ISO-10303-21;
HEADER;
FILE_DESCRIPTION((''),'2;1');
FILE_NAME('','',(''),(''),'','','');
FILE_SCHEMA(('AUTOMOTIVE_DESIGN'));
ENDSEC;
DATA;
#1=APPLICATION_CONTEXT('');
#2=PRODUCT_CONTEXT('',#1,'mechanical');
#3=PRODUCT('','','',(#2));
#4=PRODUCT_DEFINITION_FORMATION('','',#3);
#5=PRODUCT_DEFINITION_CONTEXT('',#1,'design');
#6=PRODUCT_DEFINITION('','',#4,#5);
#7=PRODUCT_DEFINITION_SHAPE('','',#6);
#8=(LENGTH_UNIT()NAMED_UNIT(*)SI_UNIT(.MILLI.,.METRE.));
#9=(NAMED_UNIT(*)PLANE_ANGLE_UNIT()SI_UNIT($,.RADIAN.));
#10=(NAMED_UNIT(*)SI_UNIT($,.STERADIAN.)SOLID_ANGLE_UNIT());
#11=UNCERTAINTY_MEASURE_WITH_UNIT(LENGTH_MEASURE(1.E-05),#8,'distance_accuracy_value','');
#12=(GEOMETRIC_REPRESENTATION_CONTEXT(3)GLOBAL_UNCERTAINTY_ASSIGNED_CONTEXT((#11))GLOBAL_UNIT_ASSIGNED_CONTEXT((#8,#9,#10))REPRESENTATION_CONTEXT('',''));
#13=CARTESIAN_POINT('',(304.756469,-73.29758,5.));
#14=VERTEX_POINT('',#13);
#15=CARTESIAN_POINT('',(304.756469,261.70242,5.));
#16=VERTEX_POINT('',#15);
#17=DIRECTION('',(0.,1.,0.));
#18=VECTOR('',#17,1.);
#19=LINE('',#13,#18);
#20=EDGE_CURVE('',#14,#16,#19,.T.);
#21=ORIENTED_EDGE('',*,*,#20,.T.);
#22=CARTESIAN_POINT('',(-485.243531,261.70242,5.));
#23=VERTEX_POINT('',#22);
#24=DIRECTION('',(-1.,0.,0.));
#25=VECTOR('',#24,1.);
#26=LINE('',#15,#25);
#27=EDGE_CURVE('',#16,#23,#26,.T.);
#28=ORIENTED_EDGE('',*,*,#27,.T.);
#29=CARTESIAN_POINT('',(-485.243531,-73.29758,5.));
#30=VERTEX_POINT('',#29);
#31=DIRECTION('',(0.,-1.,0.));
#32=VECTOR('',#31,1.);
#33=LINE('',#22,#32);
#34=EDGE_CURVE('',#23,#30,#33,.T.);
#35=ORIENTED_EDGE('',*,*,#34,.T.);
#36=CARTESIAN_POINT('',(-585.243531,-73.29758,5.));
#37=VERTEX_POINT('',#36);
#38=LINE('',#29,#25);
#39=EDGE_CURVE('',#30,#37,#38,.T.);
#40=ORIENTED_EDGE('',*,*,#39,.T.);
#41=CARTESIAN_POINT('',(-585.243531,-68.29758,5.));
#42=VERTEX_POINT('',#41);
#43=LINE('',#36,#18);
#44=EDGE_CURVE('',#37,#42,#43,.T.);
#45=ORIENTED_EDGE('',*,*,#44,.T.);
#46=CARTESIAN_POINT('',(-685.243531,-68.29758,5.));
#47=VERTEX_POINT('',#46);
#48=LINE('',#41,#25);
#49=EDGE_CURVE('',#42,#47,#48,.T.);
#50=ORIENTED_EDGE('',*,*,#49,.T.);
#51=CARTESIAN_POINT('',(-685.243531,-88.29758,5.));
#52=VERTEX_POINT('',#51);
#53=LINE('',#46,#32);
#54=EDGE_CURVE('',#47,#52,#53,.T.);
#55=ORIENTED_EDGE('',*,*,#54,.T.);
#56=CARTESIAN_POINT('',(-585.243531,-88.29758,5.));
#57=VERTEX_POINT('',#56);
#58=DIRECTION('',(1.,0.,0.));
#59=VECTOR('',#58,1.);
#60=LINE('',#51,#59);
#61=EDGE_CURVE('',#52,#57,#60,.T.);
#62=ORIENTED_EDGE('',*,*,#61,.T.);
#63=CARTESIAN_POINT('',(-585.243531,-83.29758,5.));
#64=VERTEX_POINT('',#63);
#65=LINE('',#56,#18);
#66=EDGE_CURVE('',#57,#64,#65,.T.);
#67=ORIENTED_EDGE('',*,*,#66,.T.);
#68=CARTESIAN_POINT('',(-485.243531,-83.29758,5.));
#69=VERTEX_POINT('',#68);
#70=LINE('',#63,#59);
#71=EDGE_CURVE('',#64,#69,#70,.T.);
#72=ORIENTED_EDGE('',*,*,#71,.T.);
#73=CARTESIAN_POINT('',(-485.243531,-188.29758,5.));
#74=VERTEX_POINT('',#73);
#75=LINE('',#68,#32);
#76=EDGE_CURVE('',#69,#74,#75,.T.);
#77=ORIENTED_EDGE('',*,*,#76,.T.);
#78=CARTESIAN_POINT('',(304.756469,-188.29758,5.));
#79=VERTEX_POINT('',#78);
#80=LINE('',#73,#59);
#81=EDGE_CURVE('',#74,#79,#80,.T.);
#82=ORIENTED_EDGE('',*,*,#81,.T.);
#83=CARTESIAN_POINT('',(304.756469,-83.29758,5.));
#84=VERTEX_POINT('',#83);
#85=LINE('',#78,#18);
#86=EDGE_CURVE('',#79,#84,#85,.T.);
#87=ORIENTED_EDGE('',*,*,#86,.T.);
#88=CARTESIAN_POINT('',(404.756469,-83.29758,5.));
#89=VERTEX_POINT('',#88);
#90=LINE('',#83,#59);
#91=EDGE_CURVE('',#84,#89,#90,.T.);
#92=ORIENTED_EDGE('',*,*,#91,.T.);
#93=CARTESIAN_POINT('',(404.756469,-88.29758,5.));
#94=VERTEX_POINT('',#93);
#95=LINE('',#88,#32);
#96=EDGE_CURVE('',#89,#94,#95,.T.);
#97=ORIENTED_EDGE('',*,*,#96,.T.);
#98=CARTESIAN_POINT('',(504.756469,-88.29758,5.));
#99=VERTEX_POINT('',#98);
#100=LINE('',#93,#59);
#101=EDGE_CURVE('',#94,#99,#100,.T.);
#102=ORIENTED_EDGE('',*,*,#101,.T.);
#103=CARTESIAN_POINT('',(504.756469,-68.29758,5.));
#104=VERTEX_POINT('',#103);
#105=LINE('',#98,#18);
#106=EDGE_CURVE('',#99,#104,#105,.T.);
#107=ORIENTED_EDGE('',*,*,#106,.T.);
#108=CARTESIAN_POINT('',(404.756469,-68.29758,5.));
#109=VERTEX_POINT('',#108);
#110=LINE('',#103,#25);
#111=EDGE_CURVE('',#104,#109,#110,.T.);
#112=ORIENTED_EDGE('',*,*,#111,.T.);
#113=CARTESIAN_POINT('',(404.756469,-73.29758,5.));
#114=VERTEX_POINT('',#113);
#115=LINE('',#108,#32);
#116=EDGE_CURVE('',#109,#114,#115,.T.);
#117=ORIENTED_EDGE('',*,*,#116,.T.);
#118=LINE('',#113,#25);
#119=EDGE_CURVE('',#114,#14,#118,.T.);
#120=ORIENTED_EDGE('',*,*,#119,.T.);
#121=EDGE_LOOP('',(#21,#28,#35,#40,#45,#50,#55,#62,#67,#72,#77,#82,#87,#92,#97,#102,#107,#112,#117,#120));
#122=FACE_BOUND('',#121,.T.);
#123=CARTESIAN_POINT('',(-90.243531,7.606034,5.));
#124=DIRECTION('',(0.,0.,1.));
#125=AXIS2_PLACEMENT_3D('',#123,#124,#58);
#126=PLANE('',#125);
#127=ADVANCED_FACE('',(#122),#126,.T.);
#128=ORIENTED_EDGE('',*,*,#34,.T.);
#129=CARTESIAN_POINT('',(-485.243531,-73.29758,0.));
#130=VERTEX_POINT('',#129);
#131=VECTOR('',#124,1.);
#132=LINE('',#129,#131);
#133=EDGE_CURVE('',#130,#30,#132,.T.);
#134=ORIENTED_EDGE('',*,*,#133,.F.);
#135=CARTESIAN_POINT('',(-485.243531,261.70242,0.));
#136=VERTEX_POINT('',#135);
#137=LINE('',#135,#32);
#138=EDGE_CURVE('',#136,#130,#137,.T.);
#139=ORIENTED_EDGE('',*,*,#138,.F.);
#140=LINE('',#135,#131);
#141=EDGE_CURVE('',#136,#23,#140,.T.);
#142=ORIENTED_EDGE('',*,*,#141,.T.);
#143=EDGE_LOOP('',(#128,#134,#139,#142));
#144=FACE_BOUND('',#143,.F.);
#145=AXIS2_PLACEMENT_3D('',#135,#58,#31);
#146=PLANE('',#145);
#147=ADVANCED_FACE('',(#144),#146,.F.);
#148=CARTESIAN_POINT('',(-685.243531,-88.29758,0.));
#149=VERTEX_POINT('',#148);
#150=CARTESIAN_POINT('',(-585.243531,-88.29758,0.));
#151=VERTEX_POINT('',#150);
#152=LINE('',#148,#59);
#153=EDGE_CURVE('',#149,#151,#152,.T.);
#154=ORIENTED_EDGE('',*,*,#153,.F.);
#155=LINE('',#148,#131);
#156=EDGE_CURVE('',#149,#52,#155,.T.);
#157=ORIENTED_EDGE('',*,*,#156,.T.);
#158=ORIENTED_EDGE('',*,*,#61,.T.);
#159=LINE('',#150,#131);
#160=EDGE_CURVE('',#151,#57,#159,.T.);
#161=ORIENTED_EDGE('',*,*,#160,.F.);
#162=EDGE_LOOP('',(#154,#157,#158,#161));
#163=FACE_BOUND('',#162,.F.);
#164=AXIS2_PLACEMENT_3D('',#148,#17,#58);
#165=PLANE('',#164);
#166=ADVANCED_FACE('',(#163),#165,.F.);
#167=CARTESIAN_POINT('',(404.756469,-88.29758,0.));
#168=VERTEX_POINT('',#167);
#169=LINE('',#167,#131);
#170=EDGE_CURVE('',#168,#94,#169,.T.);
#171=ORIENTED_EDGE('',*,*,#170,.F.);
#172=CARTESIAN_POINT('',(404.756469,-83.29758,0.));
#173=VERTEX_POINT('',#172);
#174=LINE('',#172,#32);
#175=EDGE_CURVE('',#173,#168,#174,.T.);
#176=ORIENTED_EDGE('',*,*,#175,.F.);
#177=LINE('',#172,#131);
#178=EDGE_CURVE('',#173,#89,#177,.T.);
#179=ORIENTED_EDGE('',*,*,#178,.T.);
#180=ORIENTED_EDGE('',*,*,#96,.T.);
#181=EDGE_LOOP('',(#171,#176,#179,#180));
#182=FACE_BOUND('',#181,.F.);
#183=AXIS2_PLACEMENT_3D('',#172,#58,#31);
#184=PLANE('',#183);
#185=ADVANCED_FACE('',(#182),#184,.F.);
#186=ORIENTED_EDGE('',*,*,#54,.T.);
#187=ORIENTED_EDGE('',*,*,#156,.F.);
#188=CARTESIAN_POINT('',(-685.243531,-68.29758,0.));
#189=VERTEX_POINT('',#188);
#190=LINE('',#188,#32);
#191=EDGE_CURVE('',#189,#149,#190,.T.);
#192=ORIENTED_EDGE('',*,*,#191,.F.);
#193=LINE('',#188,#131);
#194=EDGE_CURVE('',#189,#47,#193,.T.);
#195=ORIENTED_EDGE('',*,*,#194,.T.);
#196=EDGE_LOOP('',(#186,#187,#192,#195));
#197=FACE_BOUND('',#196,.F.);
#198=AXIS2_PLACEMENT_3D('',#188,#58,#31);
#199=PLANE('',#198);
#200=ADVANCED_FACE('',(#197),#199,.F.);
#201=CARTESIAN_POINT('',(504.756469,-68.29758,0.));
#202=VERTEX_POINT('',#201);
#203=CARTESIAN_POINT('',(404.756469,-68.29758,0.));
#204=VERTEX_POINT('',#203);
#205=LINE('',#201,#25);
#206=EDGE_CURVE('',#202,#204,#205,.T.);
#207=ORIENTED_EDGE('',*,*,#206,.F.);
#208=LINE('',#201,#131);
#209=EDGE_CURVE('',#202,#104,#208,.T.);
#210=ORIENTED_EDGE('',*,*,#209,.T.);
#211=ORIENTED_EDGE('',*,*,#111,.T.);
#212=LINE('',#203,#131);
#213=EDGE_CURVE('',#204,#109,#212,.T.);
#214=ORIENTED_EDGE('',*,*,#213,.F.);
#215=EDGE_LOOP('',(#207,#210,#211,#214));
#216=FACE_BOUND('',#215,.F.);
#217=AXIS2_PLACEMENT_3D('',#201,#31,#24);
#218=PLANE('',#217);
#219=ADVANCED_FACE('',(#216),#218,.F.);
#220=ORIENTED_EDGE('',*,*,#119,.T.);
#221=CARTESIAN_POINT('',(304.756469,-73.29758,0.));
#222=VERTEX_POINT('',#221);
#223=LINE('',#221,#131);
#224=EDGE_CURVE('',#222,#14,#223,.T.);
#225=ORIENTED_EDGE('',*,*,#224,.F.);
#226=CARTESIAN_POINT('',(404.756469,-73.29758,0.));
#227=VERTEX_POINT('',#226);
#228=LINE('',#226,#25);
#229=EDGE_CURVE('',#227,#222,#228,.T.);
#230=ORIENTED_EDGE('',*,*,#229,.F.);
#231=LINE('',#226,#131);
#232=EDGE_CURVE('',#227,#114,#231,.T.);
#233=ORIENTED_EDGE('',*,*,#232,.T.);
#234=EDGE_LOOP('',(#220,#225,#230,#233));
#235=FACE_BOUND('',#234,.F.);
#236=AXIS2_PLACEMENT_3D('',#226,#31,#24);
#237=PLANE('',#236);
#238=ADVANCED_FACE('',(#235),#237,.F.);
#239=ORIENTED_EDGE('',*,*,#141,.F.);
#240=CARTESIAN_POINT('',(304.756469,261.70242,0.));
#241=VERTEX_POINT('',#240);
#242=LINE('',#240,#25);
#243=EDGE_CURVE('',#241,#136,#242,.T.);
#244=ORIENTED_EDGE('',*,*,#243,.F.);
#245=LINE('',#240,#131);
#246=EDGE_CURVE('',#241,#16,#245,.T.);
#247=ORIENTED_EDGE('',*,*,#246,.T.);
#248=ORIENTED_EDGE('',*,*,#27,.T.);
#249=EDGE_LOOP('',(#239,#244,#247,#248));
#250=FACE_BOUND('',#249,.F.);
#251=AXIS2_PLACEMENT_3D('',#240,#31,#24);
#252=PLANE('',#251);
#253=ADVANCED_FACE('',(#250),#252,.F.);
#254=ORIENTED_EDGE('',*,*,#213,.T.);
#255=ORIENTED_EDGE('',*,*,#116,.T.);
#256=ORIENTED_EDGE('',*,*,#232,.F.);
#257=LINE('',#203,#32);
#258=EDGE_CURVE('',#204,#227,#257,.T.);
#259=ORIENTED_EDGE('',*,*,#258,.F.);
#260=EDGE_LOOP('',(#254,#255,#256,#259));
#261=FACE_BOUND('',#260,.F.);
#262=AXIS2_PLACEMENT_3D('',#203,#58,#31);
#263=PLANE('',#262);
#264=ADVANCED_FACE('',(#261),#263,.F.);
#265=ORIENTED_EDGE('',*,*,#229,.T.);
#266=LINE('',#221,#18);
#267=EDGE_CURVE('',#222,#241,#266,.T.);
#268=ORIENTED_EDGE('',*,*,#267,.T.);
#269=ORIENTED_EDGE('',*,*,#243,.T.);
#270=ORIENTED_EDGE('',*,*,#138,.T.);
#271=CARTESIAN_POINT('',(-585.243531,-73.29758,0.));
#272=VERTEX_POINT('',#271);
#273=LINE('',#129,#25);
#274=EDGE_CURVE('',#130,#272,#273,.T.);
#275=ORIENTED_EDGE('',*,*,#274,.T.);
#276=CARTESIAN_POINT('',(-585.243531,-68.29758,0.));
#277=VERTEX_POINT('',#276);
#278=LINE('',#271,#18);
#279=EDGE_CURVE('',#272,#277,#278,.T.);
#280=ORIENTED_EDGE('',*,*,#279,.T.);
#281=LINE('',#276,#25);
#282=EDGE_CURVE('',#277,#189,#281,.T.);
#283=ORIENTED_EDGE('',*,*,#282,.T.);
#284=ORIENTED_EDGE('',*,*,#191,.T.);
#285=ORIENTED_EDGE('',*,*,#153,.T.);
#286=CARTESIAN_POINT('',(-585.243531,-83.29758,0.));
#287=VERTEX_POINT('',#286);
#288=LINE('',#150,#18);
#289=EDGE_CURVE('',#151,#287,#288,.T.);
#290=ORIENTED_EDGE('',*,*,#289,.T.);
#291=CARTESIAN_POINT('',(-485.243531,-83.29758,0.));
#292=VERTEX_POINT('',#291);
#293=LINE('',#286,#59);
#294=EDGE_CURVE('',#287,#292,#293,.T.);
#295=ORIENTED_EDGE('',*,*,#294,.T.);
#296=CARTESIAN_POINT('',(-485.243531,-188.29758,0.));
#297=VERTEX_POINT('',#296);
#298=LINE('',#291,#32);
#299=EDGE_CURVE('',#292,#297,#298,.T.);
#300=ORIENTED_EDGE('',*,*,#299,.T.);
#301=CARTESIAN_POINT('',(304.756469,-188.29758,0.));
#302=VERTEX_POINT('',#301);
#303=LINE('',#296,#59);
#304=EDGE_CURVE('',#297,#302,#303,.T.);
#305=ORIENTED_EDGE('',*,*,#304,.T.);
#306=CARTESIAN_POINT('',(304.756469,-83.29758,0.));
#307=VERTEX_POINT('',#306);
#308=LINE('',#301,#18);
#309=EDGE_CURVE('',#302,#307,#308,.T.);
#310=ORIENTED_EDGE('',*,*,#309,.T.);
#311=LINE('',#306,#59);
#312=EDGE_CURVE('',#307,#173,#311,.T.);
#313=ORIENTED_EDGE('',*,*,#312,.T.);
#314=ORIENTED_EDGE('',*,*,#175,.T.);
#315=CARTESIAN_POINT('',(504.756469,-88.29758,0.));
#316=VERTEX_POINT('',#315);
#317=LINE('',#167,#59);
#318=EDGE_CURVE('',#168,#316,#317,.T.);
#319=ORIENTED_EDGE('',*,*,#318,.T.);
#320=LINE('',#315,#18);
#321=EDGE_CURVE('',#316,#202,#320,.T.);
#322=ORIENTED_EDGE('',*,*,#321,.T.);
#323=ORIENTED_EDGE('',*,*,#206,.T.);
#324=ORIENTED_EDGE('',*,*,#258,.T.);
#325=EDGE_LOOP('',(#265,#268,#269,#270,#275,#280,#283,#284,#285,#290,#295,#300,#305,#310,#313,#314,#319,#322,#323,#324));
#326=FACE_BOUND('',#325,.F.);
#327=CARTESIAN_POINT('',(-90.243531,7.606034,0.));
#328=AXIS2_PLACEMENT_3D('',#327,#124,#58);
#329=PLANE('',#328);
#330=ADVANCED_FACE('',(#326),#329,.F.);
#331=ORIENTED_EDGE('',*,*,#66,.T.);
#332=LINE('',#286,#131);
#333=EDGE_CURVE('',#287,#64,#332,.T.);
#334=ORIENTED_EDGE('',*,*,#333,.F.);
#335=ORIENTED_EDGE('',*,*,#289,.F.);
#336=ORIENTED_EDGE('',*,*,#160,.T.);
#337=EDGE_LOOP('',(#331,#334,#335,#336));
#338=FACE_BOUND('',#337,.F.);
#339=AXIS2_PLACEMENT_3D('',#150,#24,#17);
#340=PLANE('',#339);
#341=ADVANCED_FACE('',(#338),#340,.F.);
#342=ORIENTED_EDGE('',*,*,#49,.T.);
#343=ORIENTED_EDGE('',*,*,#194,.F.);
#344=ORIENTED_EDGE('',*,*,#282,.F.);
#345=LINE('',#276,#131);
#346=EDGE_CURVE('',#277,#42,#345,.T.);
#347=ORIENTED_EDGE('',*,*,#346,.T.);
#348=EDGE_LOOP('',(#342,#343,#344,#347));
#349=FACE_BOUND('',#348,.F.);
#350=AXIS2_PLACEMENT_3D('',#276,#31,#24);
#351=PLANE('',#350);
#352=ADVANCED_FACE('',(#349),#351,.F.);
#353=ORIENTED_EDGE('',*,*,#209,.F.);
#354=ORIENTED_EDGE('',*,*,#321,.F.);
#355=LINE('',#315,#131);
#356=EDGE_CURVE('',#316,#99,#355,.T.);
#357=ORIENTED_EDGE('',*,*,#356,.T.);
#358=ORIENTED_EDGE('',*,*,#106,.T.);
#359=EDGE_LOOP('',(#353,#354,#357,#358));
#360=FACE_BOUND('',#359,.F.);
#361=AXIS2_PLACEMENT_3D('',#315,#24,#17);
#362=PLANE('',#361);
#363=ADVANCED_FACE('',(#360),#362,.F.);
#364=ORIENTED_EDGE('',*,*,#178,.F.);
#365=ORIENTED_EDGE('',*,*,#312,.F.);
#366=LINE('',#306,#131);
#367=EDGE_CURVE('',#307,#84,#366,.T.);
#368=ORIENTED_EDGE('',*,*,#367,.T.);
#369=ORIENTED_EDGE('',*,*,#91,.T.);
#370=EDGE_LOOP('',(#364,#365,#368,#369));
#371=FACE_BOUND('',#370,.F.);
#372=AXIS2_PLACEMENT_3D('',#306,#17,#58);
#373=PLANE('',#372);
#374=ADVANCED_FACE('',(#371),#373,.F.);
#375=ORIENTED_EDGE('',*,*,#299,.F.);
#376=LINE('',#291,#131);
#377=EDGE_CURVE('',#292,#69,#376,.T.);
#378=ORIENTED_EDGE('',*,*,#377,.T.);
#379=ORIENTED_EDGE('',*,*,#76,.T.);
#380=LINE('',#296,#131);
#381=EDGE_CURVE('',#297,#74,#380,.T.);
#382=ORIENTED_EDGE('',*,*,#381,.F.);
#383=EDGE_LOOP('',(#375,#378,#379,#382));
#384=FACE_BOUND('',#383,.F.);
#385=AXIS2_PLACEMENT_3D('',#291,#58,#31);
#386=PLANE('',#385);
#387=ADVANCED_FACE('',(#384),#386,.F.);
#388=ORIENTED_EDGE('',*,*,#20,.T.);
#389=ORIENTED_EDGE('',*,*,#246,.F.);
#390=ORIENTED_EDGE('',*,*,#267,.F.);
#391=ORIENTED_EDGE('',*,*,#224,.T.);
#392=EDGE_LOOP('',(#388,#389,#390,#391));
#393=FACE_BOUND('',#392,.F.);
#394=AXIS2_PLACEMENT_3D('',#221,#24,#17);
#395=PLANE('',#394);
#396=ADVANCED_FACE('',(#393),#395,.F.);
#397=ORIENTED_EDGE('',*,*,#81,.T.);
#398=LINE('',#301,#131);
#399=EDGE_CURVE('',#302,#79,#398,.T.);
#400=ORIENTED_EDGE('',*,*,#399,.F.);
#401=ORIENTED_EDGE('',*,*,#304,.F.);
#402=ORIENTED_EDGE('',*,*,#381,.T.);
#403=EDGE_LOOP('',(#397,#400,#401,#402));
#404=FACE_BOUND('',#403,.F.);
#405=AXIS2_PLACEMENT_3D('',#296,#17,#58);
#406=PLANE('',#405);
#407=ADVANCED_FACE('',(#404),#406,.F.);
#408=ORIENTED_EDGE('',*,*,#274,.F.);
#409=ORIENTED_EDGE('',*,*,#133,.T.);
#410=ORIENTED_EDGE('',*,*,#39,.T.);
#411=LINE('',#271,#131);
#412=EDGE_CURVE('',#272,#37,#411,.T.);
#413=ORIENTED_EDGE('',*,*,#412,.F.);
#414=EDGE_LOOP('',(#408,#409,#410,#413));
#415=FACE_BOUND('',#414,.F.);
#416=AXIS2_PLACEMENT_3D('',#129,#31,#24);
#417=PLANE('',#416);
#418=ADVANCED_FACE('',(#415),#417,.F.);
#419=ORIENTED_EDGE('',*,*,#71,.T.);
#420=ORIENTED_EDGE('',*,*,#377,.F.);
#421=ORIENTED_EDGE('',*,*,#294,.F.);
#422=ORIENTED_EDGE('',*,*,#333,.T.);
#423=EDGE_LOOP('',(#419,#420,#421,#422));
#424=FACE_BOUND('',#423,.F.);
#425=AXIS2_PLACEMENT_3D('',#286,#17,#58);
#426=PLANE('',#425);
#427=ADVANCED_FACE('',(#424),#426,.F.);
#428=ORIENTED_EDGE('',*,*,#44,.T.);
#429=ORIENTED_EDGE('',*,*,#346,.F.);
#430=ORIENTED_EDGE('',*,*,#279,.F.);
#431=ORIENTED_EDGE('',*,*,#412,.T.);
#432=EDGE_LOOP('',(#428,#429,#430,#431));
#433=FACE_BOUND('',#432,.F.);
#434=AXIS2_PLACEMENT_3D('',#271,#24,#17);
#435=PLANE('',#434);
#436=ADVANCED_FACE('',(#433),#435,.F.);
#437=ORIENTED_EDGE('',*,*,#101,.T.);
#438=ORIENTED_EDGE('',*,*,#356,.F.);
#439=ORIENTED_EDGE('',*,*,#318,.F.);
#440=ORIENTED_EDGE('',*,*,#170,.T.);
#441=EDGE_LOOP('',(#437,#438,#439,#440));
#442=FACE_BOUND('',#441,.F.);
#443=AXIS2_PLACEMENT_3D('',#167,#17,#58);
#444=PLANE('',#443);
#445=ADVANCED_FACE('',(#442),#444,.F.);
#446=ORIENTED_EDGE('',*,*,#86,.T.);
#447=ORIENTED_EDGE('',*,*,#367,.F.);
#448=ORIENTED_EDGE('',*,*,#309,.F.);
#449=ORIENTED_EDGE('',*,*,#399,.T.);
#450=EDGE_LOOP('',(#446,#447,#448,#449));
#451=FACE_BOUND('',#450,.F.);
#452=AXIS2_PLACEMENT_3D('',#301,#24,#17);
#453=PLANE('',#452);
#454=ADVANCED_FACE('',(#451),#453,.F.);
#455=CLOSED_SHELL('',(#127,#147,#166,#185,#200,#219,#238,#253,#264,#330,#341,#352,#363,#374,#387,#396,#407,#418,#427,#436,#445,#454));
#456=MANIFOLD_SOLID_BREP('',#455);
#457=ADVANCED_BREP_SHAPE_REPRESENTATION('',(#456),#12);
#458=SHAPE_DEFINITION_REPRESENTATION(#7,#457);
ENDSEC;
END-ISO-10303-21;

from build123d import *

# Parameters (mm, degrees)
F1_DEPTH = 5


with BuildPart() as f1:
    # F0 (on Top) → F1 (new body)
    with BuildSketch(Plane.XY):
        Polygon((304.756469, 261.70242), (-485.243531, 261.70242), (-485.243531, -73.29758), (-585.243531, -73.29758), (-585.243531, -68.29758), (-685.243531, -68.29758), (-685.243531, -88.29758), (-585.243531, -88.29758), (-585.243531, -83.29758), (-485.243531, -83.29758), (-485.243531, -188.29758), (304.756469, -188.29758), (304.756469, -83.29758), (404.756469, -83.29758), (404.756469, -88.29758), (504.756469, -88.29758), (504.756469, -68.29758), (404.756469, -68.29758), (404.756469, -73.29758), (304.756469, -73.29758), align=None)
    extrude(amount=F1_DEPTH)


solid = f1.part
